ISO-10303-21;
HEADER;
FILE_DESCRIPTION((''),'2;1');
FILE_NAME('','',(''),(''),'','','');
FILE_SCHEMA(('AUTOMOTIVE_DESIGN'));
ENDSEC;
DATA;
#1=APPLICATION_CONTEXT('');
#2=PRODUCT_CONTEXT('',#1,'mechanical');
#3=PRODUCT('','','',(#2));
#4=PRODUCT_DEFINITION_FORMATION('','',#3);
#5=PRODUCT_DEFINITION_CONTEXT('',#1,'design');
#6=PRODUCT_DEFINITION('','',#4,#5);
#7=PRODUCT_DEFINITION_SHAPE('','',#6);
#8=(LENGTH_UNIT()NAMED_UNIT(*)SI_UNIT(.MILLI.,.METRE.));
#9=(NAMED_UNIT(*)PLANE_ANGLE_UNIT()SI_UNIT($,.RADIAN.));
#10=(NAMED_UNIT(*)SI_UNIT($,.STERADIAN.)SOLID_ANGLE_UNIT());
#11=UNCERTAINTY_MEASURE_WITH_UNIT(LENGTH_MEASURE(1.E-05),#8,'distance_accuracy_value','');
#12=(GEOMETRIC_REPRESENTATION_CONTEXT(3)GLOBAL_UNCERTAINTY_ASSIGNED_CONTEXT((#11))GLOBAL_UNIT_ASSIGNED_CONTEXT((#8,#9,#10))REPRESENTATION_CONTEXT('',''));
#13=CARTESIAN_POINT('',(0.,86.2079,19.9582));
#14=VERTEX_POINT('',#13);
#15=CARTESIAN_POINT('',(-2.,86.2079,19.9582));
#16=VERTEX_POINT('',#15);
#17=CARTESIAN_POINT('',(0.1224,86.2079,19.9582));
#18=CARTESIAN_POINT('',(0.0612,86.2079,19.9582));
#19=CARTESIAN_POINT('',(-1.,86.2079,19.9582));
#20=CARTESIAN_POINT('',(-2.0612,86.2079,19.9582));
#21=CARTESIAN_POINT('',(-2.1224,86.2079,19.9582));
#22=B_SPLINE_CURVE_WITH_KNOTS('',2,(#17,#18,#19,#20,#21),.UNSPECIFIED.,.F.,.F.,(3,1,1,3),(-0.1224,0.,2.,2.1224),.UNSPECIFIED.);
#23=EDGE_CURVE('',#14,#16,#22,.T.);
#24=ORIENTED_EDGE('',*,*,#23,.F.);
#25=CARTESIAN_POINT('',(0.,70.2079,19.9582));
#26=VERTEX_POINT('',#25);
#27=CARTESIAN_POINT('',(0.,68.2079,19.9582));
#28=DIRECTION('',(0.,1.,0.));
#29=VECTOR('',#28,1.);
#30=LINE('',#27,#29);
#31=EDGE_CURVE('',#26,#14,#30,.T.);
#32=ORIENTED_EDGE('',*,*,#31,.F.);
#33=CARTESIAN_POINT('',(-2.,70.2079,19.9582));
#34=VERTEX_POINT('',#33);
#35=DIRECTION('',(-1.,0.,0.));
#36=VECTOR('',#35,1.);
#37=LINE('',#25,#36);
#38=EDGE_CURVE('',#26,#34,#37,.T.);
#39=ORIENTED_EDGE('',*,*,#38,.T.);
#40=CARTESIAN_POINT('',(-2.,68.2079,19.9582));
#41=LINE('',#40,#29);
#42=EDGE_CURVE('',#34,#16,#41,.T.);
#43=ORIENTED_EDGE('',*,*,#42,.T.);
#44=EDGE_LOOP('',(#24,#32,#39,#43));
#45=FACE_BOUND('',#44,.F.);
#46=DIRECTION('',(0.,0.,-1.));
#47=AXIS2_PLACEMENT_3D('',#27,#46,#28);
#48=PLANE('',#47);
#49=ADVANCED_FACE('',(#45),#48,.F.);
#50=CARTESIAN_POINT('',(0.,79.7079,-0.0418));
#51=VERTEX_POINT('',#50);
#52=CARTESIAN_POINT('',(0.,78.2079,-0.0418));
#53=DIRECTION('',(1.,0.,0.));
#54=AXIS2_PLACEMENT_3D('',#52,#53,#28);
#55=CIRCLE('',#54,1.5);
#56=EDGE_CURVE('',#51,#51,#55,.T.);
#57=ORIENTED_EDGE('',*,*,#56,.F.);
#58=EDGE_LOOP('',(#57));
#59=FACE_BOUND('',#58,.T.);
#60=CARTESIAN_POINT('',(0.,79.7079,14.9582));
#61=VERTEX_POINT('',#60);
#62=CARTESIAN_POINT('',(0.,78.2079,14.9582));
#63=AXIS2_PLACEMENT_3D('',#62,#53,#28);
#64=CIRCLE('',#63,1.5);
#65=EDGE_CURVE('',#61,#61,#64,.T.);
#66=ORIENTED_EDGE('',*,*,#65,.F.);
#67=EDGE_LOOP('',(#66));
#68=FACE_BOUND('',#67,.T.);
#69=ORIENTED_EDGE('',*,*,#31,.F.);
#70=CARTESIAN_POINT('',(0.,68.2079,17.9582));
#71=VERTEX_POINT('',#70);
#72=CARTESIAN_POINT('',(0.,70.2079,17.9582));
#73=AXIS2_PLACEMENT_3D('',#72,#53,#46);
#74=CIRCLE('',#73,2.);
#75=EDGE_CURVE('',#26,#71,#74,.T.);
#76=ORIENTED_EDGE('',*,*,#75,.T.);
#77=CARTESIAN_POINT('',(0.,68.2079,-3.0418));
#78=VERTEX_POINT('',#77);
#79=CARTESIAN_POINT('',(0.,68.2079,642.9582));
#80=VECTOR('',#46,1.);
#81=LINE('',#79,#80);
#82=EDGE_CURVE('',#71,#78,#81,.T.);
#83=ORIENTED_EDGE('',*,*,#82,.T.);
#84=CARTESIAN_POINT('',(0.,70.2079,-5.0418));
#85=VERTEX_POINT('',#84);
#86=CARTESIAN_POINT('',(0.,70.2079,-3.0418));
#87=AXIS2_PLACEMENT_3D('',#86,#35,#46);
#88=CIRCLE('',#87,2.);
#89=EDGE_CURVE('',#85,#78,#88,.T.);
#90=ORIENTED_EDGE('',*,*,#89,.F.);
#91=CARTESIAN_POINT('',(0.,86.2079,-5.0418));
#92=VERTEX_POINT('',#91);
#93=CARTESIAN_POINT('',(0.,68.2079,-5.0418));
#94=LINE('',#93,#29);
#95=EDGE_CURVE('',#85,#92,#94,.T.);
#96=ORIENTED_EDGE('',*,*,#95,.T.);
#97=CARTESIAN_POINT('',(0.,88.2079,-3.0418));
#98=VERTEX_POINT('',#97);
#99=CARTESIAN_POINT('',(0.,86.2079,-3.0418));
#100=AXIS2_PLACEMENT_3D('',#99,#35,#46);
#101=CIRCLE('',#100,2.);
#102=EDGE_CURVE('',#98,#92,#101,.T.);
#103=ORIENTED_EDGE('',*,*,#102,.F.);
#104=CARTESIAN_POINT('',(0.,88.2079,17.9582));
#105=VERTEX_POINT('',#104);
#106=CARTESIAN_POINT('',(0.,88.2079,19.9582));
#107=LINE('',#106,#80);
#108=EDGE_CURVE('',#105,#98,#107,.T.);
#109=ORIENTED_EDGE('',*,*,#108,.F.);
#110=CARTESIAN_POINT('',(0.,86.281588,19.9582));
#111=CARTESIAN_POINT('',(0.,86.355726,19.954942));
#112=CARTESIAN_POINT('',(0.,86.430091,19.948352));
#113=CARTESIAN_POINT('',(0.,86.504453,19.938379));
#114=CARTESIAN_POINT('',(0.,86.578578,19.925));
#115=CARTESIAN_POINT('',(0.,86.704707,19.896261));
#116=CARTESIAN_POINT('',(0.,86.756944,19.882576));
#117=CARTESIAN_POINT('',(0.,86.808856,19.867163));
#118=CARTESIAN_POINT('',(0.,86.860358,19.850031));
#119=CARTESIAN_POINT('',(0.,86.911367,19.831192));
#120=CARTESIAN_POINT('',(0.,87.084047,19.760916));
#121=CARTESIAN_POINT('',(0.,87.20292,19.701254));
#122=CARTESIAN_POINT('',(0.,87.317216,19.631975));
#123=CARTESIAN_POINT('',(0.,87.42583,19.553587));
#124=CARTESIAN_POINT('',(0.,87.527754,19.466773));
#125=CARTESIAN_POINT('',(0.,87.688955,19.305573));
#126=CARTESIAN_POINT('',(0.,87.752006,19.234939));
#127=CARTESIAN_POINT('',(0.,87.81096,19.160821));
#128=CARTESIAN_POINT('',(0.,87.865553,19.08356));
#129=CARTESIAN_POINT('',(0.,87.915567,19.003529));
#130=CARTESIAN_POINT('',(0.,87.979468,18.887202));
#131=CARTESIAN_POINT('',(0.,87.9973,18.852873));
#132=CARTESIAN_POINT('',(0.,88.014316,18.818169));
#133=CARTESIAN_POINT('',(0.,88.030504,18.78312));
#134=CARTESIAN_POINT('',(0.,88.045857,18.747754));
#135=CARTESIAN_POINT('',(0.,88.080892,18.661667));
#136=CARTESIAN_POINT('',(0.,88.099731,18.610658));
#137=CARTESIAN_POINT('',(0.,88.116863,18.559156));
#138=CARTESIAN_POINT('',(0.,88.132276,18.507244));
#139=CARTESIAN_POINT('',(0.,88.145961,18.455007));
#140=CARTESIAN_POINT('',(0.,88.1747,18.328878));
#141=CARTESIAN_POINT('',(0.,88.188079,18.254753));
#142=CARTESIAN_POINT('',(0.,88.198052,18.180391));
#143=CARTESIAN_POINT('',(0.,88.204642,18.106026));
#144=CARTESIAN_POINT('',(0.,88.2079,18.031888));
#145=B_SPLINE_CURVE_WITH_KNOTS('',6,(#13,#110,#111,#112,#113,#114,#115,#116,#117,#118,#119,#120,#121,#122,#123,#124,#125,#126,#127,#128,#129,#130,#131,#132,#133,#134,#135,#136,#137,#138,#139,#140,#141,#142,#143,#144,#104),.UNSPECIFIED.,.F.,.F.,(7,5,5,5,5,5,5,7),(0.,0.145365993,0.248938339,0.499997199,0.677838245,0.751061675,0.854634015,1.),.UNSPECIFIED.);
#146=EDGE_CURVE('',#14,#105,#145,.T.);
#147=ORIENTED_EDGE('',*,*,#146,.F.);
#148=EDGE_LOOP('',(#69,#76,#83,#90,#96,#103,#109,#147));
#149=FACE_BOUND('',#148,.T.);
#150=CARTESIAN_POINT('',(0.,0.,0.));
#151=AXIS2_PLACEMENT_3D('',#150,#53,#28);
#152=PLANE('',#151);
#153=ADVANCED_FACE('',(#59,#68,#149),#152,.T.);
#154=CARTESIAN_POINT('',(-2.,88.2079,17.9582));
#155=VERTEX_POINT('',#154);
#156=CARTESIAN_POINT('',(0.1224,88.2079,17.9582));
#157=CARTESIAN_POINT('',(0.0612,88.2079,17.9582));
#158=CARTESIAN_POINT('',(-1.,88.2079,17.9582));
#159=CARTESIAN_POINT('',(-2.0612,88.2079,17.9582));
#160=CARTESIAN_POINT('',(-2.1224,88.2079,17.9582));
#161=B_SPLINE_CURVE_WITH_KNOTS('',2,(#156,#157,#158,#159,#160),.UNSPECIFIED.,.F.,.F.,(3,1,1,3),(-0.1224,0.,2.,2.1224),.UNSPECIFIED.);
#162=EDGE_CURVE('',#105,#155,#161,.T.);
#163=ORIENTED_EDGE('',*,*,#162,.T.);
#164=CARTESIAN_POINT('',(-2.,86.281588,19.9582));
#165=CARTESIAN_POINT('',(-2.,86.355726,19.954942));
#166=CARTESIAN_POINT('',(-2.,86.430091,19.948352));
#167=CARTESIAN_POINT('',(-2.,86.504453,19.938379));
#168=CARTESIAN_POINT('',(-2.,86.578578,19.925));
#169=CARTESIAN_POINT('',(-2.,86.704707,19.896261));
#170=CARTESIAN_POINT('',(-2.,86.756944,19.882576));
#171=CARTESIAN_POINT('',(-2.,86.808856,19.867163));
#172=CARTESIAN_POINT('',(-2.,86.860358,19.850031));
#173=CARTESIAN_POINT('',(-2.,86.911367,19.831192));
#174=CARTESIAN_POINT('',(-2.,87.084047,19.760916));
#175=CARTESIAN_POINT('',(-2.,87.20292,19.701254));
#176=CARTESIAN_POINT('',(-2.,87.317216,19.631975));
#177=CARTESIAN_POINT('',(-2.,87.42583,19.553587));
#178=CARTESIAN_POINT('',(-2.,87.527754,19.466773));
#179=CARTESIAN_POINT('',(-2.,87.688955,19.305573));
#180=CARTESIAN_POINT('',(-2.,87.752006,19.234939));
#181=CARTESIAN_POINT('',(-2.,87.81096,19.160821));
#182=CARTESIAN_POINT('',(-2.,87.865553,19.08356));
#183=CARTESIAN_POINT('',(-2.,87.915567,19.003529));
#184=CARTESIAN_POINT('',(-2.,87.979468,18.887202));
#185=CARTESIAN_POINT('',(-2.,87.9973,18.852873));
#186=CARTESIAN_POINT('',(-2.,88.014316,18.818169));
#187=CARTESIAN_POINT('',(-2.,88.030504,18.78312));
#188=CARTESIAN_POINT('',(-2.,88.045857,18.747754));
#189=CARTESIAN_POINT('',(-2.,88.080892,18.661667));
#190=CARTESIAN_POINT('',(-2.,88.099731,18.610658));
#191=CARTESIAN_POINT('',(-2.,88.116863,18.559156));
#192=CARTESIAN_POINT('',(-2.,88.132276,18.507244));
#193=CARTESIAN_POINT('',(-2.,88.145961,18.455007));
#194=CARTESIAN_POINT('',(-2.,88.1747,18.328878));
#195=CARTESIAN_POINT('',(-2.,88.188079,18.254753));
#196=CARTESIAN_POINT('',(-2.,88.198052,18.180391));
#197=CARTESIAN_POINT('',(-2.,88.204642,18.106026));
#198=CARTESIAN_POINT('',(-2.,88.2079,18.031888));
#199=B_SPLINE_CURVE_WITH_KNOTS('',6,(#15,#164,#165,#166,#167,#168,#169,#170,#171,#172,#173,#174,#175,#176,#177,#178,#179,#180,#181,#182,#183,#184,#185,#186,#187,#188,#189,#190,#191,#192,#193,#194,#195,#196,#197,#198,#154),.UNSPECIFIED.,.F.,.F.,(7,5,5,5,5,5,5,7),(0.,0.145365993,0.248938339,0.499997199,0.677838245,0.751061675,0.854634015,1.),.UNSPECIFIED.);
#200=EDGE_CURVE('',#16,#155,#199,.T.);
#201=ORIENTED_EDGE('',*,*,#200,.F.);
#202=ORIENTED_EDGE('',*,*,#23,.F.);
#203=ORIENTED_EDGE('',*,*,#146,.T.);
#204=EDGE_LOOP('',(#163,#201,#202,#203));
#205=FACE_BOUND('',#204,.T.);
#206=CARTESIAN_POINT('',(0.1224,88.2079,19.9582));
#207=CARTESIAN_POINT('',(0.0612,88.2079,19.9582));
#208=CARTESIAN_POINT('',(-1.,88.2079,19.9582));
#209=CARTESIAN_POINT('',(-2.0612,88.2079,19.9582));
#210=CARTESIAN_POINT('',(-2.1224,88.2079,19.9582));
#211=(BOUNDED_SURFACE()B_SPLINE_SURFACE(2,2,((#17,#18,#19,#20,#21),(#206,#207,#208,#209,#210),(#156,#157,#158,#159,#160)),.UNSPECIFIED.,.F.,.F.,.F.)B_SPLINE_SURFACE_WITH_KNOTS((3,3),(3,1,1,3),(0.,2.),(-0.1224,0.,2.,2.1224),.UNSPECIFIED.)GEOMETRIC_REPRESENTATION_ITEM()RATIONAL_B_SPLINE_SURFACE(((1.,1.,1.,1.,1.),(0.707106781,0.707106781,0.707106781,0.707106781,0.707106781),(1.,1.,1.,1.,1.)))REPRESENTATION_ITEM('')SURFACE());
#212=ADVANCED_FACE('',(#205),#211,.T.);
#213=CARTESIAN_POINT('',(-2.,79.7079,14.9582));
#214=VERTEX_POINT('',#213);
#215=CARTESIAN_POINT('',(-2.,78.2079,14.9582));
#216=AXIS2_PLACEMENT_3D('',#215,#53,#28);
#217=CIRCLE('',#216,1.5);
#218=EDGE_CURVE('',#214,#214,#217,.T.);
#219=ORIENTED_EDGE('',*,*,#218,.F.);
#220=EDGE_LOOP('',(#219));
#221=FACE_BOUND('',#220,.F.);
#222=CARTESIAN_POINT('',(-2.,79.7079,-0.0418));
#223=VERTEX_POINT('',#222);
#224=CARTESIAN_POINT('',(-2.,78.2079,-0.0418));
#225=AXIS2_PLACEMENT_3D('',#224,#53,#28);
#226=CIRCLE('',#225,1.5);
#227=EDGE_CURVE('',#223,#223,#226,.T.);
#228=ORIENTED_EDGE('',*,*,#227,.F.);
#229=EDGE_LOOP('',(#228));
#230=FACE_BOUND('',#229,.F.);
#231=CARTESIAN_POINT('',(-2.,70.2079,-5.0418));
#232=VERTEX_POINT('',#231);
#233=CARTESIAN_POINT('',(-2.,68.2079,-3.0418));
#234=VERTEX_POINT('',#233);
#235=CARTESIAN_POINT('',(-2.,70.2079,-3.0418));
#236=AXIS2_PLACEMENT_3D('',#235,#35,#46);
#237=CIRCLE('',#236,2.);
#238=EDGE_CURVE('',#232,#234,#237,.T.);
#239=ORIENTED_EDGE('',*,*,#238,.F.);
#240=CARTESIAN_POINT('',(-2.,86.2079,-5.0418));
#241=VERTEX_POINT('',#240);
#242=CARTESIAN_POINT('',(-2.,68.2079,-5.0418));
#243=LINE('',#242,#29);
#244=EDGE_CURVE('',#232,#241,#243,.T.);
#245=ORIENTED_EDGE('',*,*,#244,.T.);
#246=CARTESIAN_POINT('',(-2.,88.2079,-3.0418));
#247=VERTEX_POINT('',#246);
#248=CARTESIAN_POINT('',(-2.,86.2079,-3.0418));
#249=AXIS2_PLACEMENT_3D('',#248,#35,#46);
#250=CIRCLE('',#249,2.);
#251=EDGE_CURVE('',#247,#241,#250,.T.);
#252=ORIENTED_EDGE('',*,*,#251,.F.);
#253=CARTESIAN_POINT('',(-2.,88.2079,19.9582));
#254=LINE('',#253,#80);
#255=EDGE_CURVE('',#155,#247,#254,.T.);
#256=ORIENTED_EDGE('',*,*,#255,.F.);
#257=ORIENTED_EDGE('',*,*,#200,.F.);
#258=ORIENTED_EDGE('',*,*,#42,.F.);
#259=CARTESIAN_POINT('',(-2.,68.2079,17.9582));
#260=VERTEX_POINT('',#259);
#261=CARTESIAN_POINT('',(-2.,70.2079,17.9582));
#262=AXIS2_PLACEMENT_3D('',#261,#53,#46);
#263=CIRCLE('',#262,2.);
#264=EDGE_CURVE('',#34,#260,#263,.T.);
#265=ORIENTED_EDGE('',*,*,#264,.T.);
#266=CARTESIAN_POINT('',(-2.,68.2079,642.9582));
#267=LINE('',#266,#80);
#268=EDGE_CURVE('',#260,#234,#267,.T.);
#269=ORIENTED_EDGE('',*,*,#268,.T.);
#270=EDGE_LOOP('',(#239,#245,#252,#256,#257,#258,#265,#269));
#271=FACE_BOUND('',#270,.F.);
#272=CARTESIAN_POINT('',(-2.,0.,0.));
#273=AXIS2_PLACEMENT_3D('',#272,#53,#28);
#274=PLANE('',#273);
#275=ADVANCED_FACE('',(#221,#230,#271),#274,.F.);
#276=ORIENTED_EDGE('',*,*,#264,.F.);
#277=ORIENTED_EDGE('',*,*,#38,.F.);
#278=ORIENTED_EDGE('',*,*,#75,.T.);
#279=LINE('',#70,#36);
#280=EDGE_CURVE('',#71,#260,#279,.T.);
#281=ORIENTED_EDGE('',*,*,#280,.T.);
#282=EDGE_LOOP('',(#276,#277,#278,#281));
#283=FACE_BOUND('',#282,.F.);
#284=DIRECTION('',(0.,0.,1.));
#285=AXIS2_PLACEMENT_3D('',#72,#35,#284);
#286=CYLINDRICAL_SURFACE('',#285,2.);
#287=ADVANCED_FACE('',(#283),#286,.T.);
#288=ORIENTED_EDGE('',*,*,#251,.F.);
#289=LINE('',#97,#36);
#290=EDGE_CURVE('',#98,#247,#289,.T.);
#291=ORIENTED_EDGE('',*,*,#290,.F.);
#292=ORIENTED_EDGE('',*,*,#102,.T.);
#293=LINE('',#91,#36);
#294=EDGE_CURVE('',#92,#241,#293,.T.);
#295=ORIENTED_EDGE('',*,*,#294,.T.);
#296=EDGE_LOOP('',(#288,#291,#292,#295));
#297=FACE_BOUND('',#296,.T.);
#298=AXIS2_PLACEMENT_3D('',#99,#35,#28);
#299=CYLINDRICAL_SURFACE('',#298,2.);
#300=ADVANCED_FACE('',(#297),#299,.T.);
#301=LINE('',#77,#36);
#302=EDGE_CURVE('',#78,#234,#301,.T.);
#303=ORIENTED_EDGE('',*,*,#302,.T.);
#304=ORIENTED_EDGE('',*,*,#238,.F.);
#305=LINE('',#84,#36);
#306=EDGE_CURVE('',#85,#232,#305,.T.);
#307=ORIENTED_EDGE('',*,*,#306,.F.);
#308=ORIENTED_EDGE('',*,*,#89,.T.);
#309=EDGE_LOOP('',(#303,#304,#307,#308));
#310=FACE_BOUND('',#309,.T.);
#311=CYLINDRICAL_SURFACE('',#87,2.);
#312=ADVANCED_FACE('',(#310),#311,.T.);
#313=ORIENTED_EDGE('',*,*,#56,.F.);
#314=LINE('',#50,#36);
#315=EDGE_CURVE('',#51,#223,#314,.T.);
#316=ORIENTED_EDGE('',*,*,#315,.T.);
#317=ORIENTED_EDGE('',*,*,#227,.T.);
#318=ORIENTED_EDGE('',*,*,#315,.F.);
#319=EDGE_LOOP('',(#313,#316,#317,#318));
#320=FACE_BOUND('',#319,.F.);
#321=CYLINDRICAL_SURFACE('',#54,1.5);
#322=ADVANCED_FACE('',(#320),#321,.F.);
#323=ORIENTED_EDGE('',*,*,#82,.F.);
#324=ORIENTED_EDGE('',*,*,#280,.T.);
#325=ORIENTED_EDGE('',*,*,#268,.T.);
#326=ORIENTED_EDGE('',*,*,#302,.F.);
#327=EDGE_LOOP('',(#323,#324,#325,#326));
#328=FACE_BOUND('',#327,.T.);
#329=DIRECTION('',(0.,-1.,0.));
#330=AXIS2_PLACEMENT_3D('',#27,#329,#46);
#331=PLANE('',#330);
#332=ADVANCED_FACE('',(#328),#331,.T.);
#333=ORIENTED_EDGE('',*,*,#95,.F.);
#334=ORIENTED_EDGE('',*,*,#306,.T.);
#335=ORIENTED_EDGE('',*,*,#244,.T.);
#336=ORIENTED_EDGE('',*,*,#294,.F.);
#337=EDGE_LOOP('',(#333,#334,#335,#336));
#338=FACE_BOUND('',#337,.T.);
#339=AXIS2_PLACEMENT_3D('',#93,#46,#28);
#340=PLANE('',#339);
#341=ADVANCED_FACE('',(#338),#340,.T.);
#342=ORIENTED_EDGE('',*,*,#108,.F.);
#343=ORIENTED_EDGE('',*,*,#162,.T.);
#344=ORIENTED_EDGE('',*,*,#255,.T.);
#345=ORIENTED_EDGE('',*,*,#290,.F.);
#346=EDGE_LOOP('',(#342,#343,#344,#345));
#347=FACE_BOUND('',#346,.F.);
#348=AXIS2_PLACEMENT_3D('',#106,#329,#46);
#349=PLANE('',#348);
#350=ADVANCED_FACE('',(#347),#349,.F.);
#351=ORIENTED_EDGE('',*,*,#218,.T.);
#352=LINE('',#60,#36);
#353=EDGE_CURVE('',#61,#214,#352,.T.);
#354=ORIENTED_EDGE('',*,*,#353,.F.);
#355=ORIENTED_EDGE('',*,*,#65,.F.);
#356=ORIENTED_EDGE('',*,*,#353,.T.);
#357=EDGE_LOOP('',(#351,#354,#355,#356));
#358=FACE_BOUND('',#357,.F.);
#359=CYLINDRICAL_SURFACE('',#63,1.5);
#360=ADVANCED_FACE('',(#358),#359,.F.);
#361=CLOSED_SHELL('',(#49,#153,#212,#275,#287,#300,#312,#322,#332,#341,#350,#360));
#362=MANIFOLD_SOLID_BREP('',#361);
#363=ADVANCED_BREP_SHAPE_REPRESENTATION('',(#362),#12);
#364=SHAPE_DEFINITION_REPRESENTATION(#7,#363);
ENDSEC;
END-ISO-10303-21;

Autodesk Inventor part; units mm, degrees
ref_plane "YZ Plane" through (0, 0, 0) normal (1, 0, 0) x (0, 1, 0)
ref_plane "XZ Plane" through (0, 0, 0) normal (0, 1, 0) x (-1, 0, 0)
ref_plane "XY Plane" through (0, 0, 0) normal (0, 0, 1) x (1, 0, 0)
sketch "スケッチ1" plane through (0, 0, 0) normal (1, 0, 0) x (0, 1, 0)
  line L0 (68.2079, 642.9582) -> (68.2079, -632.5418)
  circle A0 centre (78.2079, 14.9582) radius 1.5
  line L1 (88.2079, -632.5418) -> (68.2079, -632.5418)
  circle A1 centre (78.2079, -0.0418) radius 1.5
  circle A2 centre (78.2079, 14.9582) radius 1.5
  line L2 (68.2079, -5.0418) -> (88.2079, -5.0418)
  line L3 (68.2079, 19.9582) -> (88.2079, 19.9582)
  line L4 (87.2079, 642.9582) -> (87.2079, 7.4582)
  line L5 (68.2079, 19.9582) -> (68.2079, -5.0418)
  line L6 (88.2079, 19.9582) -> (88.2079, -5.0418)
  line L7 (88.2079, 642.9582) -> (88.2079, -632.5418)
  point P0 (0, 0)
  point P1 (-76.7921, 17.4582)
  point P2 (78.2079, -625.0418)
  dimension "d0" = 10
  dimension "d1" = 15
  dimension "d2" = 7.5
  dimension "d3" = 10
  dimension "d4" = 3
  dimension "d5" = 3
  dimension "d6" = 5
  dimension "d7" = 5
extrude "押し出し1" add sketch "スケッチ1" against normal blind 2 contours L3 L6 L2 L0
fillet "フィレット1" radius 2 4 edges at (-1, 88.2079, 19.9582) (-1, 68.2079, 19.9582) (-1, 88.2079, -5.0418) (-1, 68.2079, -5.0418)
properties part number "base_weel-v1-Plate-expand-2" material "アルミニウム 6061"
